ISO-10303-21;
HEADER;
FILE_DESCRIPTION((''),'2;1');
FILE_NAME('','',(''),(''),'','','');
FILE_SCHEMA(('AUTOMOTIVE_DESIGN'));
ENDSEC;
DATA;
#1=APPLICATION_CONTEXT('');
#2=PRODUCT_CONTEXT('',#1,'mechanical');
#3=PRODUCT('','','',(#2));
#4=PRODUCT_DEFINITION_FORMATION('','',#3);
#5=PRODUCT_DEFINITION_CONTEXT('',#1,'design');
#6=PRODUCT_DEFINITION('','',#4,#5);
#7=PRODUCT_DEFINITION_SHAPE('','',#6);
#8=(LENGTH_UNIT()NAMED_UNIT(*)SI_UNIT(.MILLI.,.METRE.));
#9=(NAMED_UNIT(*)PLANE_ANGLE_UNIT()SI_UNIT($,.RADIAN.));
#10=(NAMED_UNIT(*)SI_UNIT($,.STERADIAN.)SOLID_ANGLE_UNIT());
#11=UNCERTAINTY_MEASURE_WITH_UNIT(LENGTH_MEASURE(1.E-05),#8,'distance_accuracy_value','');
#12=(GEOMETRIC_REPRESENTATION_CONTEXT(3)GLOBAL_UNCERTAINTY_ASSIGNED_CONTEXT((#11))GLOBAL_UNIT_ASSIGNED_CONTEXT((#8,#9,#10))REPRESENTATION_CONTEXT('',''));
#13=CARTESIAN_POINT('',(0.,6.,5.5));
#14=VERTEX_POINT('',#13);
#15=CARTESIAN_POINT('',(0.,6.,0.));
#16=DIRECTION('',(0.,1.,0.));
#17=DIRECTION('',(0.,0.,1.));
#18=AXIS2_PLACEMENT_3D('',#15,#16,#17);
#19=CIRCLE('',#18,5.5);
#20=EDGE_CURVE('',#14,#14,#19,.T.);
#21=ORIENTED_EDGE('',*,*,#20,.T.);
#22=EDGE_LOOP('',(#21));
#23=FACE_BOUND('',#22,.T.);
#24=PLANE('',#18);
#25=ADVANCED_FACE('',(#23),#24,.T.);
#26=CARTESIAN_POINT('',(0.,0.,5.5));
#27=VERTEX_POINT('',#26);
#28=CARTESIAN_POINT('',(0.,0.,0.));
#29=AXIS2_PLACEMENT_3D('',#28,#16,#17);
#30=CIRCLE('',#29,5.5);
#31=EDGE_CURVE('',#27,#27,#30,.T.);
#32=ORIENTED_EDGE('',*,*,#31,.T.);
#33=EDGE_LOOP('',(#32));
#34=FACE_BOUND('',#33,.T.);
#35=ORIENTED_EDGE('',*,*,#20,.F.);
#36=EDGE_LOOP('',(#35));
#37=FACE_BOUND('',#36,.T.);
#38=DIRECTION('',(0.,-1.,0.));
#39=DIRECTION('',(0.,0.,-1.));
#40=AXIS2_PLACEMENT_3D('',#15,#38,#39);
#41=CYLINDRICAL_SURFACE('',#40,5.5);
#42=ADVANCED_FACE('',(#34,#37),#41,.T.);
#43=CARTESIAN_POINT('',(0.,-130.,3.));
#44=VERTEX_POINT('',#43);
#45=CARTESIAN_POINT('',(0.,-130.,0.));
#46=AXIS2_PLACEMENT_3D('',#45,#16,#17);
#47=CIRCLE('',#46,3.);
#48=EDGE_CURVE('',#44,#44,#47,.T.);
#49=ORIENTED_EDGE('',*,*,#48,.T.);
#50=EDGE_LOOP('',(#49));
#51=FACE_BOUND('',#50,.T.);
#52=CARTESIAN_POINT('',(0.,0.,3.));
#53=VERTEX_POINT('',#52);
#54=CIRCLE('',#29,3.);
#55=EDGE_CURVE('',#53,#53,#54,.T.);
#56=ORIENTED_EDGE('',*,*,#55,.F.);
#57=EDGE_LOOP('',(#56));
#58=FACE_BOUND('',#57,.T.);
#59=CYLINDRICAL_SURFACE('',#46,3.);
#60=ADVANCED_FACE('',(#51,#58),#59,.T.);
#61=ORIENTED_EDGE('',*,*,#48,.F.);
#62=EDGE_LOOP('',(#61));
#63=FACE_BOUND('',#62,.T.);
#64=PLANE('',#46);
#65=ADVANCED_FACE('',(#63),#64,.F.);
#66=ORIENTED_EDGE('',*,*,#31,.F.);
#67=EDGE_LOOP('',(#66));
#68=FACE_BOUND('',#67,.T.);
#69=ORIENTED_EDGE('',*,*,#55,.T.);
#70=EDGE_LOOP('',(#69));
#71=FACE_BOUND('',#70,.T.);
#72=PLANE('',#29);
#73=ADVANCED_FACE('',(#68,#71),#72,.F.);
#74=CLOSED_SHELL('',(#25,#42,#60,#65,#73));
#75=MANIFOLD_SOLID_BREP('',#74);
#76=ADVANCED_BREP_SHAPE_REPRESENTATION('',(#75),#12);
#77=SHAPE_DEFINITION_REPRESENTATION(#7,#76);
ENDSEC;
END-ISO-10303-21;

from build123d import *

# Parameters (mm, degrees)
SKETCH1_R           = 3
BOSS_EXTRUDE1_DEPTH = 130
SKETCH2_R           = 5.5
BOSS_EXTRUDE2_DEPTH = 6


with BuildPart() as part:
    # Sketch1 → Boss-Extrude1 (new body)
    with BuildSketch(Plane(origin=(0, 0, 0), x_dir=(1, 0, 0), z_dir=(0, 1, 0))):
        with Locations(Location((0, 0, 0), (0, 0, 270))):
            Circle(SKETCH1_R)
    extrude(amount=-BOSS_EXTRUDE1_DEPTH)

    # Sketch2 → Boss-Extrude2 (add)
    with BuildSketch(Plane(origin=(0, 0, 0), x_dir=(1, 0, 0), z_dir=(0, 1, 0))):
        with Locations(Location((0, 0, 0), (0, 0, 270))):
            Circle(SKETCH2_R)
    extrude(amount=BOSS_EXTRUDE2_DEPTH)


solid = part.part
